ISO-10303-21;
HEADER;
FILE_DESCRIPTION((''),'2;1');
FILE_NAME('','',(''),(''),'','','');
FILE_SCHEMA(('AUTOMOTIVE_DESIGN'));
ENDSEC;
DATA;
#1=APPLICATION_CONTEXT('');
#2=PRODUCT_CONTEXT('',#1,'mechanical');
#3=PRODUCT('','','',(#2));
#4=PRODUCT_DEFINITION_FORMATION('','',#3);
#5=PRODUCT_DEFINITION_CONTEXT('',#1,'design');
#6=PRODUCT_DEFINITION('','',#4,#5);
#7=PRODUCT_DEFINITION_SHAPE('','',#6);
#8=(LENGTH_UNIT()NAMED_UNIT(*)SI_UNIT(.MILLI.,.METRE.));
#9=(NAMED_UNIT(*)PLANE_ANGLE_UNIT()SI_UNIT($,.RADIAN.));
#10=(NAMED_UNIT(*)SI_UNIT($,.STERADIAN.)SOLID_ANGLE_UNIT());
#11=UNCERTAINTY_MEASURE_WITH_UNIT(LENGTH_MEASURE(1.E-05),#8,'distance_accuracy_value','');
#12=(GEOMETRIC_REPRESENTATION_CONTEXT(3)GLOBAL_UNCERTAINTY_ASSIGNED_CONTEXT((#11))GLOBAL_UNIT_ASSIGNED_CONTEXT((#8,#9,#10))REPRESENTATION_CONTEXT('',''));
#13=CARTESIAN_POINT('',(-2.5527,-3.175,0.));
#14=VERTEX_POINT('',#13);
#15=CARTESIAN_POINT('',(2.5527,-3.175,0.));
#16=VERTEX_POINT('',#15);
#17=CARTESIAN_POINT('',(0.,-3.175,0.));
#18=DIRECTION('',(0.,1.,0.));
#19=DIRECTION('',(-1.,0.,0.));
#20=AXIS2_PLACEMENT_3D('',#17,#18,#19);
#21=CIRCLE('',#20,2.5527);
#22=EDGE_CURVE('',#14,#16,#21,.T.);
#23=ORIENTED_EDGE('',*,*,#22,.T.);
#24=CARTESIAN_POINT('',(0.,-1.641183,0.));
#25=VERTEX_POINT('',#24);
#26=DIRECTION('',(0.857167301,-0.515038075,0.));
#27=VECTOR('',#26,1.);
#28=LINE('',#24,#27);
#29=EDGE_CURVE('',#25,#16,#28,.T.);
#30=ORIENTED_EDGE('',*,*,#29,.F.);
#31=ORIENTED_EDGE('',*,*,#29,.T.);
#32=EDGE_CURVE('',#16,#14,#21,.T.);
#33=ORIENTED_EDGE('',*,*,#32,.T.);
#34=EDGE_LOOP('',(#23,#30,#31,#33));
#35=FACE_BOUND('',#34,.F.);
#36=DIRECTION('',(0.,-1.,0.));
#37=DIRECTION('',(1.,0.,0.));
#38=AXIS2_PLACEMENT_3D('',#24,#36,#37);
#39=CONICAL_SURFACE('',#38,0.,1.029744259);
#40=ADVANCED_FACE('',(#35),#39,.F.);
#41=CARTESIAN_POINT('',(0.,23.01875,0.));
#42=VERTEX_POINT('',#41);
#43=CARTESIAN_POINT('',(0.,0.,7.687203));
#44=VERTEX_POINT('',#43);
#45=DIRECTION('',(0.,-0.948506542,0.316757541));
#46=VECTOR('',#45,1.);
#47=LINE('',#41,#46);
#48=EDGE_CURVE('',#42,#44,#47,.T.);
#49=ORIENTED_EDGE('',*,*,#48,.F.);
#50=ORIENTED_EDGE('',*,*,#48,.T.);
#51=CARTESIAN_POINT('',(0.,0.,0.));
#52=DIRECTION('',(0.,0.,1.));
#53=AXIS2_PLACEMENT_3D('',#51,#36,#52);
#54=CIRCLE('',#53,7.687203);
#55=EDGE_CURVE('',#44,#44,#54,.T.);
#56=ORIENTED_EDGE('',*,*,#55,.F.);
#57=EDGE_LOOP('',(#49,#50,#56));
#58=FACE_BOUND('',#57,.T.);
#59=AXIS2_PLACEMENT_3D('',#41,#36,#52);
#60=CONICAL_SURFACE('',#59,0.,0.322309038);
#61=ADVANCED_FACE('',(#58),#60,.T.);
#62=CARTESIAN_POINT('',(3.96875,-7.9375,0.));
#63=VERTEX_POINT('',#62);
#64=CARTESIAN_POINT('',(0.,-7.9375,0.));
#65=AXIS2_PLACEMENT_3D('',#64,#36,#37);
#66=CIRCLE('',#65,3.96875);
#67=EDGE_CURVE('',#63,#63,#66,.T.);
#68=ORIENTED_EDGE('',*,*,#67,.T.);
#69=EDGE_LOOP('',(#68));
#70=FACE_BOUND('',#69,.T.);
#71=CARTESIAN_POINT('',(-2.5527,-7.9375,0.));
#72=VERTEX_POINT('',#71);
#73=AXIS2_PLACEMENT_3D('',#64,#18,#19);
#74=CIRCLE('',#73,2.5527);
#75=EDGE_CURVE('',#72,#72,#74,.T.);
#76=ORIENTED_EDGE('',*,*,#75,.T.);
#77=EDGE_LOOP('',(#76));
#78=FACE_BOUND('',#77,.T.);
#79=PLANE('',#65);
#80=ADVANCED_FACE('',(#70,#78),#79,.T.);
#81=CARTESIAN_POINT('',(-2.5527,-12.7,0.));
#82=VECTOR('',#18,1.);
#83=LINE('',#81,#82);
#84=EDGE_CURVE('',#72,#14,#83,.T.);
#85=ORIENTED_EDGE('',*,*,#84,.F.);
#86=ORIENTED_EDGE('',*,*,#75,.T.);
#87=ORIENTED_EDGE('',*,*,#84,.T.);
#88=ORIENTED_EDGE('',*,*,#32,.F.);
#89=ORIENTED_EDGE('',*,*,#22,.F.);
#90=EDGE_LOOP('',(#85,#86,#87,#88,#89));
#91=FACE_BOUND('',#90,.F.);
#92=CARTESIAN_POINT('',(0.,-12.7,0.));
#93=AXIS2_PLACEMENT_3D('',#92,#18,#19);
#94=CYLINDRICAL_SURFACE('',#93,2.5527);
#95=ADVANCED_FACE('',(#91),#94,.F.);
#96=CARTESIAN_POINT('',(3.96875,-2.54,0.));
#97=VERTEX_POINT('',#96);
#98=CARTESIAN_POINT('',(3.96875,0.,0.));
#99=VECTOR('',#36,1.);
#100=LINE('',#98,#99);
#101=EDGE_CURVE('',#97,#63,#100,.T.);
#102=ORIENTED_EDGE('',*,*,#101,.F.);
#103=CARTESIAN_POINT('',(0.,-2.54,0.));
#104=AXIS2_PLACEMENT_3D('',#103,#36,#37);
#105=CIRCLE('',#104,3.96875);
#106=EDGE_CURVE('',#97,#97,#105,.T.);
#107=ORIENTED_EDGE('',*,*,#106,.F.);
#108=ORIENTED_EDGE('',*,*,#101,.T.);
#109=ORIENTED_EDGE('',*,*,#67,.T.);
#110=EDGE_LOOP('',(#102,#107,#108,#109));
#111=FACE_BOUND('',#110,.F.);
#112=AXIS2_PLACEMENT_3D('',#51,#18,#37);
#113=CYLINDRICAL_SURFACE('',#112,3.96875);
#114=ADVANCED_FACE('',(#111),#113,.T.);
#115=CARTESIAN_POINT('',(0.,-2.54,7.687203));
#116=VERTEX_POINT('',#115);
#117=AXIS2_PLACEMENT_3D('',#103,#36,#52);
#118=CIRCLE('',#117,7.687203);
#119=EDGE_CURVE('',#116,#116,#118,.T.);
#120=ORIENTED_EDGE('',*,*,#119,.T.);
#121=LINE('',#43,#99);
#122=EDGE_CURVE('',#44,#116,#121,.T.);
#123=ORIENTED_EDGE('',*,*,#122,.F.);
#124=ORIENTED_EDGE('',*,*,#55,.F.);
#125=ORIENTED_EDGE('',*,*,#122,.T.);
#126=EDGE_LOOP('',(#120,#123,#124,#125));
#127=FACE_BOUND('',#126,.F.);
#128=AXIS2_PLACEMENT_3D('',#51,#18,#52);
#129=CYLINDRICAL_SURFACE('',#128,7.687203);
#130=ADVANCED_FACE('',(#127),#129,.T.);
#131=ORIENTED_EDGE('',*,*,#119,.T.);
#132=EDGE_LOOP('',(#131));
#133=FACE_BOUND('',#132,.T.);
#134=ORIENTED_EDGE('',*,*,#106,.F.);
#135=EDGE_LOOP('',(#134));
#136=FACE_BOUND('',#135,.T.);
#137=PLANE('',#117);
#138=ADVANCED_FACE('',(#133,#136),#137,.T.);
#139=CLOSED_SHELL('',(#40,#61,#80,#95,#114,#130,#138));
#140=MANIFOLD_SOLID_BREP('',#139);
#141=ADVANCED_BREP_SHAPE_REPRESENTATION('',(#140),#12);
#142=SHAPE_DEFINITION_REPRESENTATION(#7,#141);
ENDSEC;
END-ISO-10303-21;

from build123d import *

# Parameters (mm, degrees)
F0_R     = 3.96875
F1_DEPTH = 7.9375
F3_D     = 5.1054
F3_DEPTH = 4.7625
F3_TIP   = 1.5338169022
F6_DEPTH = 2.54


with BuildPart() as f1:
    # F0 (on Front) → F1 (new body)
    with BuildSketch(Plane.XZ):
        Circle(F0_R)
    extrude(amount=F1_DEPTH)

    # F3
    with Locations(Plane.XZ.offset(7.9375)):
        with Locations((0, 0)):
            Hole(F3_D / 2, depth=F3_DEPTH)
            with Locations((0, 0, -(F3_DEPTH + F3_TIP / 2))):  # 118° drill point
                Cone(0, F3_D / 2, F3_TIP, mode=Mode.SUBTRACT)

    # F4 (on Right) → F5 (revolve)
    with BuildSketch(Plane.YZ):
        Polygon((0, 7.68720332), (0, 0), (23.01875, 0), align=None)
    revolve(axis=Axis((0, 11.509375, 0), (0, -1, 0)))

    # F6 (add): a face of the model
    f6_faces = [f1.faces().sort_by_distance(p)[0] for p in [
        (0, 0, -7.4697763762),
    ]]
    extrude(f6_faces, amount=F6_DEPTH)


solid = f1.part
